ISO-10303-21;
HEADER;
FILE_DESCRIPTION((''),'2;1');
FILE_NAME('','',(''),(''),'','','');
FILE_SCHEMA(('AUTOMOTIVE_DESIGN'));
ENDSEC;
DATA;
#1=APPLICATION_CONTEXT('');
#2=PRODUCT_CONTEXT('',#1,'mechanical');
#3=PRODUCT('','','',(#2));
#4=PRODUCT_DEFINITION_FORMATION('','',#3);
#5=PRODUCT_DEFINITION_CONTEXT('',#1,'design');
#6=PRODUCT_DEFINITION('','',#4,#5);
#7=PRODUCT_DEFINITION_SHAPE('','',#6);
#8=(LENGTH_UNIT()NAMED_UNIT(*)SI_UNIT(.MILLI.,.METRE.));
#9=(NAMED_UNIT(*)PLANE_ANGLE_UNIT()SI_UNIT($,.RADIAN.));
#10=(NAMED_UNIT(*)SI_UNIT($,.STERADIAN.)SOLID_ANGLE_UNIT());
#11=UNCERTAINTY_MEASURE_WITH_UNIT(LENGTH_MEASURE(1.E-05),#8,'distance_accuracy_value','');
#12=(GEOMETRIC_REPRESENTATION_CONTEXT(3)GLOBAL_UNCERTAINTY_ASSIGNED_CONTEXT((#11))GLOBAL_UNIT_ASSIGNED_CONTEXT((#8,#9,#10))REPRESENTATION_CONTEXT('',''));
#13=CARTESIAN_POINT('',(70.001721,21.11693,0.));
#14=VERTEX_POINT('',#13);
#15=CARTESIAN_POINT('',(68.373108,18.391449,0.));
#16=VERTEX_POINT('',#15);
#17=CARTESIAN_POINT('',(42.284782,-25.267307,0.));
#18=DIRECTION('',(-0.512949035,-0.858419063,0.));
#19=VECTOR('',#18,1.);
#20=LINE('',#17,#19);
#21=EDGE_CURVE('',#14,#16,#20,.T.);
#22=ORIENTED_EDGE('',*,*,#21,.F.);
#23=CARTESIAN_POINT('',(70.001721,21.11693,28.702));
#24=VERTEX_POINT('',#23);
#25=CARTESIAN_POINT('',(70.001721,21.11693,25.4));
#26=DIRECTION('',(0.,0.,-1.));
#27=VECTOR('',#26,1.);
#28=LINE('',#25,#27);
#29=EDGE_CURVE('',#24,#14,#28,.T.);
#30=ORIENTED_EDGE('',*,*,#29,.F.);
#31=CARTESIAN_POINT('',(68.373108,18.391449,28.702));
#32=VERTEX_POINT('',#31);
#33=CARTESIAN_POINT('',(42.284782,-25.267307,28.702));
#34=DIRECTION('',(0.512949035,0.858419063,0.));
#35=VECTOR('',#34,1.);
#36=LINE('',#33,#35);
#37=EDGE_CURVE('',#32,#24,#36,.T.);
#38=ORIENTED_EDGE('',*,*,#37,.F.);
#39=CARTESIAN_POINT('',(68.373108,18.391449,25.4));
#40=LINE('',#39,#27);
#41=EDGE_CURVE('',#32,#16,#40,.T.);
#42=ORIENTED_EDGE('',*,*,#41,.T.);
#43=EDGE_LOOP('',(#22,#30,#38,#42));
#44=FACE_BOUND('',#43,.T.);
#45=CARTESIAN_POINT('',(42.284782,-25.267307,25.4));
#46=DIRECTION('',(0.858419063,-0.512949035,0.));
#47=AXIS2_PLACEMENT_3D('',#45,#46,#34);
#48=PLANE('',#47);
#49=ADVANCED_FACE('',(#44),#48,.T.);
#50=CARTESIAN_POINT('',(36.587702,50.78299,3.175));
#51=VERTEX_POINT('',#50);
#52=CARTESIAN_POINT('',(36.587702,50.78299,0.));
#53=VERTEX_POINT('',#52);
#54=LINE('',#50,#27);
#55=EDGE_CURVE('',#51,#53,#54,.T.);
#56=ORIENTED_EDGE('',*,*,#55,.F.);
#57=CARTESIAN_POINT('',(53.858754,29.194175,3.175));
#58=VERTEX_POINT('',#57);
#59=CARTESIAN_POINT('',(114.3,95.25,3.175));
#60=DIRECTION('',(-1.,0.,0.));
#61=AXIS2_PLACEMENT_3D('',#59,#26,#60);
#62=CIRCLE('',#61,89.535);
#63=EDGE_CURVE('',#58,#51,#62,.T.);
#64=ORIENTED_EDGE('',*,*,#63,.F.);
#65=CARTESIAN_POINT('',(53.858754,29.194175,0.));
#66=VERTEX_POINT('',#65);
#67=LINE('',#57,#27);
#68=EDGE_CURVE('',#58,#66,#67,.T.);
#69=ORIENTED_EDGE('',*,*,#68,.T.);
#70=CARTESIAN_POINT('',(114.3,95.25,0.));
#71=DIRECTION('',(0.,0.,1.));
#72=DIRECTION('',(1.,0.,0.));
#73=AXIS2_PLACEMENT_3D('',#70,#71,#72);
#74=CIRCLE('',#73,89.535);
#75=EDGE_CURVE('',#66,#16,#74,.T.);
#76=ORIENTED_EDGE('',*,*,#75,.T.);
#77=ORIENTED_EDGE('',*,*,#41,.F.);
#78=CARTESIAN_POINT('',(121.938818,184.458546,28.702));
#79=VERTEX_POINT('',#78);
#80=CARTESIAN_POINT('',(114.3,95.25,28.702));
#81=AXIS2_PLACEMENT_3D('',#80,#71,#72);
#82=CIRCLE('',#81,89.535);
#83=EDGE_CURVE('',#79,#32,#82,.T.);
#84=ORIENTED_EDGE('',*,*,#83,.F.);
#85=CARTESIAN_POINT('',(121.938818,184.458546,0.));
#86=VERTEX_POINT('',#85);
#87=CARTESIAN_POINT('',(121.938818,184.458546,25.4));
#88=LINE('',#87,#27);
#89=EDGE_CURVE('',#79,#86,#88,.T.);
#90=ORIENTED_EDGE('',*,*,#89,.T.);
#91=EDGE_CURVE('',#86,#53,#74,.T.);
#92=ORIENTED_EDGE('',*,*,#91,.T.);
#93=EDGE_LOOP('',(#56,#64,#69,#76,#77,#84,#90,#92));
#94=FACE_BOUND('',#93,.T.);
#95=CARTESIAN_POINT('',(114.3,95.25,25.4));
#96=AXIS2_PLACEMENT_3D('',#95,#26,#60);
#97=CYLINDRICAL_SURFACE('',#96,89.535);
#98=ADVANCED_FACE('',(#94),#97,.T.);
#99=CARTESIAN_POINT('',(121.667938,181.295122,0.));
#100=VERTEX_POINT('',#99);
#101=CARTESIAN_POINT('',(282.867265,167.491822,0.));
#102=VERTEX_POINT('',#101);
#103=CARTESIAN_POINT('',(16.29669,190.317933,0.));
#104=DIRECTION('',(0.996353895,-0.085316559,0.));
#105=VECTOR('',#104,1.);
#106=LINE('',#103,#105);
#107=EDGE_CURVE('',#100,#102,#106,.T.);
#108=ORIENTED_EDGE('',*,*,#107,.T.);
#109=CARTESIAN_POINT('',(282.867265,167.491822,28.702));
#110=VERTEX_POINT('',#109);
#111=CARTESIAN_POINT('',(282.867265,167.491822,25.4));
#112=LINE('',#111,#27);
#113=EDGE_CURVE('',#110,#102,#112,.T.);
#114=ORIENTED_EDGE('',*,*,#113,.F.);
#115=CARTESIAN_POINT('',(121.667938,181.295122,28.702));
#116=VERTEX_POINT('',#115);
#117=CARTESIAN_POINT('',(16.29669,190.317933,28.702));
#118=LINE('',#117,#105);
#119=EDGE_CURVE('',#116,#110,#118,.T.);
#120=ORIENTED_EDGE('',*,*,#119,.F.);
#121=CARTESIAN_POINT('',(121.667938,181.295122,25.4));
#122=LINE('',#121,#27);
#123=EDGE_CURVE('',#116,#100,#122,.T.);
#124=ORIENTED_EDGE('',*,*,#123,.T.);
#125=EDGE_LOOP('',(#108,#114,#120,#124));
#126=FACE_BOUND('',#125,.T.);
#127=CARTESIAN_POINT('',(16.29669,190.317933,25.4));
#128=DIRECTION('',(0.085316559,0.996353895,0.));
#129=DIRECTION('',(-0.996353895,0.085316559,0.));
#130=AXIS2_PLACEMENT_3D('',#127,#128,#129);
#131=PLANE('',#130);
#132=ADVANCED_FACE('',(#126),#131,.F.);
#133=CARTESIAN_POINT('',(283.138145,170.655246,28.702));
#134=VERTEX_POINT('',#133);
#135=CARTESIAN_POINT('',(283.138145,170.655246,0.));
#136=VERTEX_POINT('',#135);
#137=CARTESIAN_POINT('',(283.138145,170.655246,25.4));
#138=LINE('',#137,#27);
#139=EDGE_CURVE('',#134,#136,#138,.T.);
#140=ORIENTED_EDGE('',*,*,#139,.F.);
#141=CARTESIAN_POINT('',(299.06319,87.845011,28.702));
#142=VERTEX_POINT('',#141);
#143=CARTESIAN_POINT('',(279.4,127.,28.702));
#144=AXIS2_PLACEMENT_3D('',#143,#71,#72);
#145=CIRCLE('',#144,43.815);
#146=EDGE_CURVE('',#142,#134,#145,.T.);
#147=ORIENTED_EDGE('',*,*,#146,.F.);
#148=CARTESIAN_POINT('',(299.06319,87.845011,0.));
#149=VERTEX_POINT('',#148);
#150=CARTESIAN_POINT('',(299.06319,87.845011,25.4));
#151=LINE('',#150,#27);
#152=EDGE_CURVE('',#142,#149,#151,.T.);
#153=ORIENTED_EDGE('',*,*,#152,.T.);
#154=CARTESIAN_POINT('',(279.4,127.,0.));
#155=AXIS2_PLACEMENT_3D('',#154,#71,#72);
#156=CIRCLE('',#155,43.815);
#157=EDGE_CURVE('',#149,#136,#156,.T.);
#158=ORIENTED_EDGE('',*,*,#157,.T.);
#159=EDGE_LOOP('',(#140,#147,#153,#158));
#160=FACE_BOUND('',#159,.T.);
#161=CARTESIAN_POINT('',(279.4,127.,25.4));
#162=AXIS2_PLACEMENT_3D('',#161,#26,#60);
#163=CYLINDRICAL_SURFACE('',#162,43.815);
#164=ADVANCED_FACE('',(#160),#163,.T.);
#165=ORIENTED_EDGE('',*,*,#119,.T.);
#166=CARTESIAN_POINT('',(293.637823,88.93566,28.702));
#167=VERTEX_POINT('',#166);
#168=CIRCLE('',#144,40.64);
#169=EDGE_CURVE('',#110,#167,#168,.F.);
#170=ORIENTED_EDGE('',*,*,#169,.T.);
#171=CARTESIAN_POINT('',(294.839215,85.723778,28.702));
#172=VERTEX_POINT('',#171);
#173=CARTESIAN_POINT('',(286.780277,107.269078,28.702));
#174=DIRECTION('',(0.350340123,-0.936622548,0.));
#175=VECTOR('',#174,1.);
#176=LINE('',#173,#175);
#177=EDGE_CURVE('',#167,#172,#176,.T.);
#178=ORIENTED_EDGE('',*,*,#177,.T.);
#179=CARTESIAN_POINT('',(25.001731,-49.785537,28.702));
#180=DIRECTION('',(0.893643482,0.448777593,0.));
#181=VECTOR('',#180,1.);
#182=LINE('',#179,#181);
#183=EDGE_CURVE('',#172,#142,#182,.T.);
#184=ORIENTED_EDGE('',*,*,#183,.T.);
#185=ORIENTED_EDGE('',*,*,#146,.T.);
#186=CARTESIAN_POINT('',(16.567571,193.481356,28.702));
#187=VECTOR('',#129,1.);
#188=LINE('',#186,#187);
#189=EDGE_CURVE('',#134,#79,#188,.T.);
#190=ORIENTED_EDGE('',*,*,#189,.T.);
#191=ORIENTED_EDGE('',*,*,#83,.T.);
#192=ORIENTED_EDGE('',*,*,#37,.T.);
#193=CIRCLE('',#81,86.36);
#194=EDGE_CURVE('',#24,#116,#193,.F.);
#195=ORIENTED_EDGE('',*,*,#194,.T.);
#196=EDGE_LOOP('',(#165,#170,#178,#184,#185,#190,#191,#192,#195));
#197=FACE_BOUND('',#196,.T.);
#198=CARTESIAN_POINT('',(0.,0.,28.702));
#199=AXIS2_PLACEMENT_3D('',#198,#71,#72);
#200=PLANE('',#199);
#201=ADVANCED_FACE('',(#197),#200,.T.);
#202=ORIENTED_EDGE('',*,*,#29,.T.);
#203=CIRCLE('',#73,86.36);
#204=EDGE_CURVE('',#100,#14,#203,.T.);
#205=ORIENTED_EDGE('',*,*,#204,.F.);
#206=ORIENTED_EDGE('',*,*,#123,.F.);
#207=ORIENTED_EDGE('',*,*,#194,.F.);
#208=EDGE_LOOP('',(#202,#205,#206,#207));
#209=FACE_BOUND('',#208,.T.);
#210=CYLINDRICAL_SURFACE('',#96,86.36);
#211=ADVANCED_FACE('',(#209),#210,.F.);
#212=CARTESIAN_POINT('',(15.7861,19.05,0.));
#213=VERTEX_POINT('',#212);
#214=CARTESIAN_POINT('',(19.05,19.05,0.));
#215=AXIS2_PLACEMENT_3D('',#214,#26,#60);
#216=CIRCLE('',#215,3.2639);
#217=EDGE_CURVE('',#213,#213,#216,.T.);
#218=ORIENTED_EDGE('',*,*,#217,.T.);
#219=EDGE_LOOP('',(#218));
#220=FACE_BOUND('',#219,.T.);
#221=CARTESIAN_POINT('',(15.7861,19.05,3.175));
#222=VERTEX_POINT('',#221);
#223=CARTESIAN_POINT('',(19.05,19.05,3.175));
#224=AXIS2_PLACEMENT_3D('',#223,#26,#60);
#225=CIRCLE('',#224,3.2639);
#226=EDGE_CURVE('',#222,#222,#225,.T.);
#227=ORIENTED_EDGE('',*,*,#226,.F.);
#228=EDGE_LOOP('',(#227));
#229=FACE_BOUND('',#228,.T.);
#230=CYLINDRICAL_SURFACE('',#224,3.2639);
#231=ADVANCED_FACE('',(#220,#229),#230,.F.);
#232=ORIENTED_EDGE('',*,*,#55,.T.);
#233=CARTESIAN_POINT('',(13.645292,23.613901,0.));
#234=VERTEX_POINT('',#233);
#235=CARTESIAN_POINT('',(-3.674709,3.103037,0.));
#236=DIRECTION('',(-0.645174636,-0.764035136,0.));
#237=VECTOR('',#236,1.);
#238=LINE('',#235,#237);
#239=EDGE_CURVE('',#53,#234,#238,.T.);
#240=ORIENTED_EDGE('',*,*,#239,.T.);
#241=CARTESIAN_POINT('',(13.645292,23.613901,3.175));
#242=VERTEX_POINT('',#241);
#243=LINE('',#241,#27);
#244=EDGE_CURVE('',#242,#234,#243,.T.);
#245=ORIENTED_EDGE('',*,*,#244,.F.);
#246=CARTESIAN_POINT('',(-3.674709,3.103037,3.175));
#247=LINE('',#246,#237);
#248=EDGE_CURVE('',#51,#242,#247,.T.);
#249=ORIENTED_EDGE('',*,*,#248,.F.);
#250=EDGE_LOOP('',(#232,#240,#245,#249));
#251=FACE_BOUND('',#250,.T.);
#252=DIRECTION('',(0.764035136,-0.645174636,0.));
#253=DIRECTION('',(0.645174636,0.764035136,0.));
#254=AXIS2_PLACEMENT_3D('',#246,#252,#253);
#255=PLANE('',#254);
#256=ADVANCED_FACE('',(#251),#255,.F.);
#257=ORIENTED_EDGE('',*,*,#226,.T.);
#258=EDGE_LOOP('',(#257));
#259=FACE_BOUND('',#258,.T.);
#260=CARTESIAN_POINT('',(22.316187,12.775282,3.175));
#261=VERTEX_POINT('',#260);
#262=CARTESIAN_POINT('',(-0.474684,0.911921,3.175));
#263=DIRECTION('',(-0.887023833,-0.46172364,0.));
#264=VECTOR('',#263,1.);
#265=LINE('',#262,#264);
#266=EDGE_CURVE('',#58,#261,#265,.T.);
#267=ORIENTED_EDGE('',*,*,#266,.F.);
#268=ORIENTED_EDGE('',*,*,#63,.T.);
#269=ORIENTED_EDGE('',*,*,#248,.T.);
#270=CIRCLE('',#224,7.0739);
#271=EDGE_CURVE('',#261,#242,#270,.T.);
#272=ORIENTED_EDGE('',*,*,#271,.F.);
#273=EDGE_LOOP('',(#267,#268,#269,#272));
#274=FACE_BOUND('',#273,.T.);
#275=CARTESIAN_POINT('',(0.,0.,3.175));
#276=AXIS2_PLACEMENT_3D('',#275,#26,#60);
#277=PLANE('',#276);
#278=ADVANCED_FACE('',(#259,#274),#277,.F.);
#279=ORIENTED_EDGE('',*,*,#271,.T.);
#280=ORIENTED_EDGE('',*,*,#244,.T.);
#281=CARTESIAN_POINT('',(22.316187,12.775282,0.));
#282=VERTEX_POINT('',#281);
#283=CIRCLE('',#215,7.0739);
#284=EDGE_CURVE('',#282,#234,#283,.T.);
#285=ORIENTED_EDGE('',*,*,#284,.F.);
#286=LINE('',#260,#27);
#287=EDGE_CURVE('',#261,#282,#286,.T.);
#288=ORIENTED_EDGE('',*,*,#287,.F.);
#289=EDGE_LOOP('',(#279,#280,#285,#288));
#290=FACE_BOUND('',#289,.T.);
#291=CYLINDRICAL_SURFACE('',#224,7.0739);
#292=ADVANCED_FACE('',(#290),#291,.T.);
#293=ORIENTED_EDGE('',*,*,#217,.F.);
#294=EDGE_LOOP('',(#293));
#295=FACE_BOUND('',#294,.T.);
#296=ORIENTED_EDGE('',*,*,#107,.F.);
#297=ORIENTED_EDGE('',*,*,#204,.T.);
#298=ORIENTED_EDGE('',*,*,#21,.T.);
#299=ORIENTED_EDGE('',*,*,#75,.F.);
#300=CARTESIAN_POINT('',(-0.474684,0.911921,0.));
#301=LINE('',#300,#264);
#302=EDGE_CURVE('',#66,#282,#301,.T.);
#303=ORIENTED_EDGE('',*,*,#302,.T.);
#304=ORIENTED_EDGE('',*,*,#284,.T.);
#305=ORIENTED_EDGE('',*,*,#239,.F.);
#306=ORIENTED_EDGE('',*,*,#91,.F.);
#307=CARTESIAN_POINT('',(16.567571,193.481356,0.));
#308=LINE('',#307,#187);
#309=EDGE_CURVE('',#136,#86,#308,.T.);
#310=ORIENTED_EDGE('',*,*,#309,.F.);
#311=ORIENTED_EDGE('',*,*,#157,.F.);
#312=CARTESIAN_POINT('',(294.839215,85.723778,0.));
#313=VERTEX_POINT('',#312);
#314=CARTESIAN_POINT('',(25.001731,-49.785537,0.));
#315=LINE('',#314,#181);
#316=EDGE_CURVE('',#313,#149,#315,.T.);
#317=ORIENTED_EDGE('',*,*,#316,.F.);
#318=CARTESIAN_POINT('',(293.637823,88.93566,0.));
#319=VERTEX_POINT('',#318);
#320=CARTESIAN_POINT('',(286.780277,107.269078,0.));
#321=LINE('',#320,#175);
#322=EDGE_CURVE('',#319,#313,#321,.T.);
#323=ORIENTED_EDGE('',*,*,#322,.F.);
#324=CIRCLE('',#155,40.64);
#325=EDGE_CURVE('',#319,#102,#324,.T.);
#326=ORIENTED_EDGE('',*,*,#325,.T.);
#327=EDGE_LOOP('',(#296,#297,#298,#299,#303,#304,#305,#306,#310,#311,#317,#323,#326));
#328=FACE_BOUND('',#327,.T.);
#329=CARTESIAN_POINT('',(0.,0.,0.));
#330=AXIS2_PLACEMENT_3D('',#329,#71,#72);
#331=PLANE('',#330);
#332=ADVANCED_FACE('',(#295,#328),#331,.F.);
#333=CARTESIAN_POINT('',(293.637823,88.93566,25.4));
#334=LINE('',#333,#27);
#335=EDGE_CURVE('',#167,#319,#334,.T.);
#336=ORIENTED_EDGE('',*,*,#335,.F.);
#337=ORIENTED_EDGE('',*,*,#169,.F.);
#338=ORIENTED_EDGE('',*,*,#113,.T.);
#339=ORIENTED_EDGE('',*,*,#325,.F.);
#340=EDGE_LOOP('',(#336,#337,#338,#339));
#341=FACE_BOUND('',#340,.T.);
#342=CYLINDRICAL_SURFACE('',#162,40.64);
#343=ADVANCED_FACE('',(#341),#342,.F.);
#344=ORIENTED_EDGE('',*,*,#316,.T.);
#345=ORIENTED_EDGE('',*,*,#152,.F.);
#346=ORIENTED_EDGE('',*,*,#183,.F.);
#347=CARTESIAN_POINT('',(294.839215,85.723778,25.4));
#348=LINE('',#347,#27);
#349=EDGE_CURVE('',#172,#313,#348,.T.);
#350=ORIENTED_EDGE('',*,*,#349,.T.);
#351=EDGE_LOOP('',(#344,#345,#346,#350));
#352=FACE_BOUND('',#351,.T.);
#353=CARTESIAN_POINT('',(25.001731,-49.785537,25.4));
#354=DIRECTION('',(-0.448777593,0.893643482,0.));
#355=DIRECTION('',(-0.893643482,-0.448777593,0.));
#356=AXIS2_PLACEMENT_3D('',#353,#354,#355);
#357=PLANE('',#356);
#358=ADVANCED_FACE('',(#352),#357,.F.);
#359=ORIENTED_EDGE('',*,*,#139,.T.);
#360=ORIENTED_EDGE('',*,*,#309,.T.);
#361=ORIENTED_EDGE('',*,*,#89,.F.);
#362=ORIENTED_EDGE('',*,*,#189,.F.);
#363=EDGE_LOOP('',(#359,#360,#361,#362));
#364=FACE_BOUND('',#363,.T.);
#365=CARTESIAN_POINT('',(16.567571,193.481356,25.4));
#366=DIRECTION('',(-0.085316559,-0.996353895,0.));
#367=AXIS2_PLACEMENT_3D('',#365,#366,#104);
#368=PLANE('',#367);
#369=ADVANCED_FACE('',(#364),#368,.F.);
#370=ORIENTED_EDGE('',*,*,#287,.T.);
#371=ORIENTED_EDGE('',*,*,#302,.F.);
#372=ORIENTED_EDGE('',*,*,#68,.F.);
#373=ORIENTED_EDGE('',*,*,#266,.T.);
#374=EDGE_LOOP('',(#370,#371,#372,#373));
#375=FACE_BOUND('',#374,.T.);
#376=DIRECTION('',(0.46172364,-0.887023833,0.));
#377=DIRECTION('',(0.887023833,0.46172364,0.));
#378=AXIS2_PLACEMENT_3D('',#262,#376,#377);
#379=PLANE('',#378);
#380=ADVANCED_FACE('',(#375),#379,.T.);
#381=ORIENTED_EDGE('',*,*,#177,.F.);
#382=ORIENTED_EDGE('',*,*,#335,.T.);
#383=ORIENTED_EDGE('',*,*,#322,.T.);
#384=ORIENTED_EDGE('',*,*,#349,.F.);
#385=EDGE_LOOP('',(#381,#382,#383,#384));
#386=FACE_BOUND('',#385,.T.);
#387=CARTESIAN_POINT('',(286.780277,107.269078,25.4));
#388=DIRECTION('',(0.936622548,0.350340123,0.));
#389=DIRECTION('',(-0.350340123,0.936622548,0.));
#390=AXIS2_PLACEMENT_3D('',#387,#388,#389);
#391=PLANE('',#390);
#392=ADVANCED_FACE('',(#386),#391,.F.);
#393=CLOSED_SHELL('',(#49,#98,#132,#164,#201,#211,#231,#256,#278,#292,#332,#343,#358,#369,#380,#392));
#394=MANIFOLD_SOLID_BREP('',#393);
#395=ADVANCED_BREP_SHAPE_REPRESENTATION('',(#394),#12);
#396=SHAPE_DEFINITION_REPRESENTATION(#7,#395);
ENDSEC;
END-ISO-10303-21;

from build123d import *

# Parameters (mm, degrees)
BOSS_EXTRUDE1_DEPTH = 25.4
SKETCH2_R           = 7.0739
SKETCH2_R_2         = 3.2639
BOSS_EXTRUDE2_DEPTH = 3.175
BOSS_EXTRUDE3_DEPTH = 3.302


with BuildPart() as part:
    # Sketch1 → Boss-Extrude1 (new body)
    with BuildSketch(Plane.XY):
        with BuildLine():
            ThreePointArc((70.001721328, 21.116929737), (32.109818913, 121.760822938), (121.667937999, 181.295122405))
            Line((121.667937999, 181.295122405), (282.867264941, 167.491822308))
            ThreePointArc((282.867264941, 167.491822308), (319.66332332, 132.52036188), (293.637822612, 88.935659637))
            Line((293.637822612, 88.935659637), (294.839214659, 85.723778364))
            Line((294.839214659, 85.723778364), (299.063190222, 87.84501085))
            ThreePointArc((299.063190222, 87.84501085), (322.426612475, 135.274348553), (283.138145015, 170.655245926))
            Line((283.138145015, 170.655245926), (121.938818073, 184.458546023))
            ThreePointArc((121.938818073, 184.458546023), (29.088121079, 122.735485546), (68.373108141, 18.391449213))
            Line((68.373108141, 18.391449213), (70.001721328, 21.116929737))
        make_face()
    extrude(amount=BOSS_EXTRUDE1_DEPTH)

    # Sketch2 → Boss-Extrude2 (add)
    # profile 1 of 2: a face of its own
    with BuildSketch(Plane(origin=(0, 0, 0), x_dir=(-1, 0, 0), z_dir=(0, 0, -1))):
        with BuildLine():
            ThreePointArc((-36.587701927, 50.782990283), (-44.384911147, 39.317928918), (-53.858754358, 29.194174745))
            Line((-53.858754358, 29.194174745), (-22.316186857, 12.775282108))
            ThreePointArc((-22.316186857, 12.775282108), (-23.932636358, 13.931413925), (-25.163710326, 15.491544259))
            ThreePointArc((-25.163710326, 15.491544259), (-23.930769686, 24.17036605), (-15.202863294, 24.986295173))
            ThreePointArc((-15.202863294, 24.986295173), (-14.373460165, 24.357545231), (-13.645291854, 23.613900861))
            Line((-13.645291854, 23.613900861), (-36.587701927, 50.782990283))
        make_face()
    # profile 2 of 2: a face of its own
    with BuildSketch(Plane(origin=(0, 0, 0), x_dir=(-1, 0, 0), z_dir=(0, 0, -1))):
        with Locations((-19.05, 19.05)):
            Circle(SKETCH2_R)
        with Locations((-19.05, 19.05)):
            Circle(SKETCH2_R_2, mode=Mode.SUBTRACT)
    extrude(amount=-BOSS_EXTRUDE2_DEPTH)

    # Sketch3 → Boss-Extrude3 (add)
    with BuildSketch(Plane.XY.offset(25.4)):
        with BuildLine():
            Line((68.373108141, 18.391449213), (70.001721328, 21.116929737))
            ThreePointArc((70.001721328, 21.116929737), (32.109818913, 121.760822938), (121.667937999, 181.295122405))
            Line((121.667937999, 181.295122405), (282.867264941, 167.491822308))
            ThreePointArc((282.867264941, 167.491822308), (319.66332332, 132.52036188), (293.637822612, 88.935659637))
            Line((293.637822612, 88.935659637), (294.839214659, 85.723778364))
            Line((294.839214659, 85.723778364), (299.063190222, 87.84501085))
            ThreePointArc((299.063190222, 87.84501085), (322.426612475, 135.274348553), (283.138145015, 170.655245926))
            Line((283.138145015, 170.655245926), (121.938818073, 184.458546023))
            ThreePointArc((121.938818073, 184.458546023), (29.088121079, 122.735485546), (68.373108141, 18.391449213))
        make_face()
    extrude(amount=BOSS_EXTRUDE3_DEPTH)


solid = part.part
